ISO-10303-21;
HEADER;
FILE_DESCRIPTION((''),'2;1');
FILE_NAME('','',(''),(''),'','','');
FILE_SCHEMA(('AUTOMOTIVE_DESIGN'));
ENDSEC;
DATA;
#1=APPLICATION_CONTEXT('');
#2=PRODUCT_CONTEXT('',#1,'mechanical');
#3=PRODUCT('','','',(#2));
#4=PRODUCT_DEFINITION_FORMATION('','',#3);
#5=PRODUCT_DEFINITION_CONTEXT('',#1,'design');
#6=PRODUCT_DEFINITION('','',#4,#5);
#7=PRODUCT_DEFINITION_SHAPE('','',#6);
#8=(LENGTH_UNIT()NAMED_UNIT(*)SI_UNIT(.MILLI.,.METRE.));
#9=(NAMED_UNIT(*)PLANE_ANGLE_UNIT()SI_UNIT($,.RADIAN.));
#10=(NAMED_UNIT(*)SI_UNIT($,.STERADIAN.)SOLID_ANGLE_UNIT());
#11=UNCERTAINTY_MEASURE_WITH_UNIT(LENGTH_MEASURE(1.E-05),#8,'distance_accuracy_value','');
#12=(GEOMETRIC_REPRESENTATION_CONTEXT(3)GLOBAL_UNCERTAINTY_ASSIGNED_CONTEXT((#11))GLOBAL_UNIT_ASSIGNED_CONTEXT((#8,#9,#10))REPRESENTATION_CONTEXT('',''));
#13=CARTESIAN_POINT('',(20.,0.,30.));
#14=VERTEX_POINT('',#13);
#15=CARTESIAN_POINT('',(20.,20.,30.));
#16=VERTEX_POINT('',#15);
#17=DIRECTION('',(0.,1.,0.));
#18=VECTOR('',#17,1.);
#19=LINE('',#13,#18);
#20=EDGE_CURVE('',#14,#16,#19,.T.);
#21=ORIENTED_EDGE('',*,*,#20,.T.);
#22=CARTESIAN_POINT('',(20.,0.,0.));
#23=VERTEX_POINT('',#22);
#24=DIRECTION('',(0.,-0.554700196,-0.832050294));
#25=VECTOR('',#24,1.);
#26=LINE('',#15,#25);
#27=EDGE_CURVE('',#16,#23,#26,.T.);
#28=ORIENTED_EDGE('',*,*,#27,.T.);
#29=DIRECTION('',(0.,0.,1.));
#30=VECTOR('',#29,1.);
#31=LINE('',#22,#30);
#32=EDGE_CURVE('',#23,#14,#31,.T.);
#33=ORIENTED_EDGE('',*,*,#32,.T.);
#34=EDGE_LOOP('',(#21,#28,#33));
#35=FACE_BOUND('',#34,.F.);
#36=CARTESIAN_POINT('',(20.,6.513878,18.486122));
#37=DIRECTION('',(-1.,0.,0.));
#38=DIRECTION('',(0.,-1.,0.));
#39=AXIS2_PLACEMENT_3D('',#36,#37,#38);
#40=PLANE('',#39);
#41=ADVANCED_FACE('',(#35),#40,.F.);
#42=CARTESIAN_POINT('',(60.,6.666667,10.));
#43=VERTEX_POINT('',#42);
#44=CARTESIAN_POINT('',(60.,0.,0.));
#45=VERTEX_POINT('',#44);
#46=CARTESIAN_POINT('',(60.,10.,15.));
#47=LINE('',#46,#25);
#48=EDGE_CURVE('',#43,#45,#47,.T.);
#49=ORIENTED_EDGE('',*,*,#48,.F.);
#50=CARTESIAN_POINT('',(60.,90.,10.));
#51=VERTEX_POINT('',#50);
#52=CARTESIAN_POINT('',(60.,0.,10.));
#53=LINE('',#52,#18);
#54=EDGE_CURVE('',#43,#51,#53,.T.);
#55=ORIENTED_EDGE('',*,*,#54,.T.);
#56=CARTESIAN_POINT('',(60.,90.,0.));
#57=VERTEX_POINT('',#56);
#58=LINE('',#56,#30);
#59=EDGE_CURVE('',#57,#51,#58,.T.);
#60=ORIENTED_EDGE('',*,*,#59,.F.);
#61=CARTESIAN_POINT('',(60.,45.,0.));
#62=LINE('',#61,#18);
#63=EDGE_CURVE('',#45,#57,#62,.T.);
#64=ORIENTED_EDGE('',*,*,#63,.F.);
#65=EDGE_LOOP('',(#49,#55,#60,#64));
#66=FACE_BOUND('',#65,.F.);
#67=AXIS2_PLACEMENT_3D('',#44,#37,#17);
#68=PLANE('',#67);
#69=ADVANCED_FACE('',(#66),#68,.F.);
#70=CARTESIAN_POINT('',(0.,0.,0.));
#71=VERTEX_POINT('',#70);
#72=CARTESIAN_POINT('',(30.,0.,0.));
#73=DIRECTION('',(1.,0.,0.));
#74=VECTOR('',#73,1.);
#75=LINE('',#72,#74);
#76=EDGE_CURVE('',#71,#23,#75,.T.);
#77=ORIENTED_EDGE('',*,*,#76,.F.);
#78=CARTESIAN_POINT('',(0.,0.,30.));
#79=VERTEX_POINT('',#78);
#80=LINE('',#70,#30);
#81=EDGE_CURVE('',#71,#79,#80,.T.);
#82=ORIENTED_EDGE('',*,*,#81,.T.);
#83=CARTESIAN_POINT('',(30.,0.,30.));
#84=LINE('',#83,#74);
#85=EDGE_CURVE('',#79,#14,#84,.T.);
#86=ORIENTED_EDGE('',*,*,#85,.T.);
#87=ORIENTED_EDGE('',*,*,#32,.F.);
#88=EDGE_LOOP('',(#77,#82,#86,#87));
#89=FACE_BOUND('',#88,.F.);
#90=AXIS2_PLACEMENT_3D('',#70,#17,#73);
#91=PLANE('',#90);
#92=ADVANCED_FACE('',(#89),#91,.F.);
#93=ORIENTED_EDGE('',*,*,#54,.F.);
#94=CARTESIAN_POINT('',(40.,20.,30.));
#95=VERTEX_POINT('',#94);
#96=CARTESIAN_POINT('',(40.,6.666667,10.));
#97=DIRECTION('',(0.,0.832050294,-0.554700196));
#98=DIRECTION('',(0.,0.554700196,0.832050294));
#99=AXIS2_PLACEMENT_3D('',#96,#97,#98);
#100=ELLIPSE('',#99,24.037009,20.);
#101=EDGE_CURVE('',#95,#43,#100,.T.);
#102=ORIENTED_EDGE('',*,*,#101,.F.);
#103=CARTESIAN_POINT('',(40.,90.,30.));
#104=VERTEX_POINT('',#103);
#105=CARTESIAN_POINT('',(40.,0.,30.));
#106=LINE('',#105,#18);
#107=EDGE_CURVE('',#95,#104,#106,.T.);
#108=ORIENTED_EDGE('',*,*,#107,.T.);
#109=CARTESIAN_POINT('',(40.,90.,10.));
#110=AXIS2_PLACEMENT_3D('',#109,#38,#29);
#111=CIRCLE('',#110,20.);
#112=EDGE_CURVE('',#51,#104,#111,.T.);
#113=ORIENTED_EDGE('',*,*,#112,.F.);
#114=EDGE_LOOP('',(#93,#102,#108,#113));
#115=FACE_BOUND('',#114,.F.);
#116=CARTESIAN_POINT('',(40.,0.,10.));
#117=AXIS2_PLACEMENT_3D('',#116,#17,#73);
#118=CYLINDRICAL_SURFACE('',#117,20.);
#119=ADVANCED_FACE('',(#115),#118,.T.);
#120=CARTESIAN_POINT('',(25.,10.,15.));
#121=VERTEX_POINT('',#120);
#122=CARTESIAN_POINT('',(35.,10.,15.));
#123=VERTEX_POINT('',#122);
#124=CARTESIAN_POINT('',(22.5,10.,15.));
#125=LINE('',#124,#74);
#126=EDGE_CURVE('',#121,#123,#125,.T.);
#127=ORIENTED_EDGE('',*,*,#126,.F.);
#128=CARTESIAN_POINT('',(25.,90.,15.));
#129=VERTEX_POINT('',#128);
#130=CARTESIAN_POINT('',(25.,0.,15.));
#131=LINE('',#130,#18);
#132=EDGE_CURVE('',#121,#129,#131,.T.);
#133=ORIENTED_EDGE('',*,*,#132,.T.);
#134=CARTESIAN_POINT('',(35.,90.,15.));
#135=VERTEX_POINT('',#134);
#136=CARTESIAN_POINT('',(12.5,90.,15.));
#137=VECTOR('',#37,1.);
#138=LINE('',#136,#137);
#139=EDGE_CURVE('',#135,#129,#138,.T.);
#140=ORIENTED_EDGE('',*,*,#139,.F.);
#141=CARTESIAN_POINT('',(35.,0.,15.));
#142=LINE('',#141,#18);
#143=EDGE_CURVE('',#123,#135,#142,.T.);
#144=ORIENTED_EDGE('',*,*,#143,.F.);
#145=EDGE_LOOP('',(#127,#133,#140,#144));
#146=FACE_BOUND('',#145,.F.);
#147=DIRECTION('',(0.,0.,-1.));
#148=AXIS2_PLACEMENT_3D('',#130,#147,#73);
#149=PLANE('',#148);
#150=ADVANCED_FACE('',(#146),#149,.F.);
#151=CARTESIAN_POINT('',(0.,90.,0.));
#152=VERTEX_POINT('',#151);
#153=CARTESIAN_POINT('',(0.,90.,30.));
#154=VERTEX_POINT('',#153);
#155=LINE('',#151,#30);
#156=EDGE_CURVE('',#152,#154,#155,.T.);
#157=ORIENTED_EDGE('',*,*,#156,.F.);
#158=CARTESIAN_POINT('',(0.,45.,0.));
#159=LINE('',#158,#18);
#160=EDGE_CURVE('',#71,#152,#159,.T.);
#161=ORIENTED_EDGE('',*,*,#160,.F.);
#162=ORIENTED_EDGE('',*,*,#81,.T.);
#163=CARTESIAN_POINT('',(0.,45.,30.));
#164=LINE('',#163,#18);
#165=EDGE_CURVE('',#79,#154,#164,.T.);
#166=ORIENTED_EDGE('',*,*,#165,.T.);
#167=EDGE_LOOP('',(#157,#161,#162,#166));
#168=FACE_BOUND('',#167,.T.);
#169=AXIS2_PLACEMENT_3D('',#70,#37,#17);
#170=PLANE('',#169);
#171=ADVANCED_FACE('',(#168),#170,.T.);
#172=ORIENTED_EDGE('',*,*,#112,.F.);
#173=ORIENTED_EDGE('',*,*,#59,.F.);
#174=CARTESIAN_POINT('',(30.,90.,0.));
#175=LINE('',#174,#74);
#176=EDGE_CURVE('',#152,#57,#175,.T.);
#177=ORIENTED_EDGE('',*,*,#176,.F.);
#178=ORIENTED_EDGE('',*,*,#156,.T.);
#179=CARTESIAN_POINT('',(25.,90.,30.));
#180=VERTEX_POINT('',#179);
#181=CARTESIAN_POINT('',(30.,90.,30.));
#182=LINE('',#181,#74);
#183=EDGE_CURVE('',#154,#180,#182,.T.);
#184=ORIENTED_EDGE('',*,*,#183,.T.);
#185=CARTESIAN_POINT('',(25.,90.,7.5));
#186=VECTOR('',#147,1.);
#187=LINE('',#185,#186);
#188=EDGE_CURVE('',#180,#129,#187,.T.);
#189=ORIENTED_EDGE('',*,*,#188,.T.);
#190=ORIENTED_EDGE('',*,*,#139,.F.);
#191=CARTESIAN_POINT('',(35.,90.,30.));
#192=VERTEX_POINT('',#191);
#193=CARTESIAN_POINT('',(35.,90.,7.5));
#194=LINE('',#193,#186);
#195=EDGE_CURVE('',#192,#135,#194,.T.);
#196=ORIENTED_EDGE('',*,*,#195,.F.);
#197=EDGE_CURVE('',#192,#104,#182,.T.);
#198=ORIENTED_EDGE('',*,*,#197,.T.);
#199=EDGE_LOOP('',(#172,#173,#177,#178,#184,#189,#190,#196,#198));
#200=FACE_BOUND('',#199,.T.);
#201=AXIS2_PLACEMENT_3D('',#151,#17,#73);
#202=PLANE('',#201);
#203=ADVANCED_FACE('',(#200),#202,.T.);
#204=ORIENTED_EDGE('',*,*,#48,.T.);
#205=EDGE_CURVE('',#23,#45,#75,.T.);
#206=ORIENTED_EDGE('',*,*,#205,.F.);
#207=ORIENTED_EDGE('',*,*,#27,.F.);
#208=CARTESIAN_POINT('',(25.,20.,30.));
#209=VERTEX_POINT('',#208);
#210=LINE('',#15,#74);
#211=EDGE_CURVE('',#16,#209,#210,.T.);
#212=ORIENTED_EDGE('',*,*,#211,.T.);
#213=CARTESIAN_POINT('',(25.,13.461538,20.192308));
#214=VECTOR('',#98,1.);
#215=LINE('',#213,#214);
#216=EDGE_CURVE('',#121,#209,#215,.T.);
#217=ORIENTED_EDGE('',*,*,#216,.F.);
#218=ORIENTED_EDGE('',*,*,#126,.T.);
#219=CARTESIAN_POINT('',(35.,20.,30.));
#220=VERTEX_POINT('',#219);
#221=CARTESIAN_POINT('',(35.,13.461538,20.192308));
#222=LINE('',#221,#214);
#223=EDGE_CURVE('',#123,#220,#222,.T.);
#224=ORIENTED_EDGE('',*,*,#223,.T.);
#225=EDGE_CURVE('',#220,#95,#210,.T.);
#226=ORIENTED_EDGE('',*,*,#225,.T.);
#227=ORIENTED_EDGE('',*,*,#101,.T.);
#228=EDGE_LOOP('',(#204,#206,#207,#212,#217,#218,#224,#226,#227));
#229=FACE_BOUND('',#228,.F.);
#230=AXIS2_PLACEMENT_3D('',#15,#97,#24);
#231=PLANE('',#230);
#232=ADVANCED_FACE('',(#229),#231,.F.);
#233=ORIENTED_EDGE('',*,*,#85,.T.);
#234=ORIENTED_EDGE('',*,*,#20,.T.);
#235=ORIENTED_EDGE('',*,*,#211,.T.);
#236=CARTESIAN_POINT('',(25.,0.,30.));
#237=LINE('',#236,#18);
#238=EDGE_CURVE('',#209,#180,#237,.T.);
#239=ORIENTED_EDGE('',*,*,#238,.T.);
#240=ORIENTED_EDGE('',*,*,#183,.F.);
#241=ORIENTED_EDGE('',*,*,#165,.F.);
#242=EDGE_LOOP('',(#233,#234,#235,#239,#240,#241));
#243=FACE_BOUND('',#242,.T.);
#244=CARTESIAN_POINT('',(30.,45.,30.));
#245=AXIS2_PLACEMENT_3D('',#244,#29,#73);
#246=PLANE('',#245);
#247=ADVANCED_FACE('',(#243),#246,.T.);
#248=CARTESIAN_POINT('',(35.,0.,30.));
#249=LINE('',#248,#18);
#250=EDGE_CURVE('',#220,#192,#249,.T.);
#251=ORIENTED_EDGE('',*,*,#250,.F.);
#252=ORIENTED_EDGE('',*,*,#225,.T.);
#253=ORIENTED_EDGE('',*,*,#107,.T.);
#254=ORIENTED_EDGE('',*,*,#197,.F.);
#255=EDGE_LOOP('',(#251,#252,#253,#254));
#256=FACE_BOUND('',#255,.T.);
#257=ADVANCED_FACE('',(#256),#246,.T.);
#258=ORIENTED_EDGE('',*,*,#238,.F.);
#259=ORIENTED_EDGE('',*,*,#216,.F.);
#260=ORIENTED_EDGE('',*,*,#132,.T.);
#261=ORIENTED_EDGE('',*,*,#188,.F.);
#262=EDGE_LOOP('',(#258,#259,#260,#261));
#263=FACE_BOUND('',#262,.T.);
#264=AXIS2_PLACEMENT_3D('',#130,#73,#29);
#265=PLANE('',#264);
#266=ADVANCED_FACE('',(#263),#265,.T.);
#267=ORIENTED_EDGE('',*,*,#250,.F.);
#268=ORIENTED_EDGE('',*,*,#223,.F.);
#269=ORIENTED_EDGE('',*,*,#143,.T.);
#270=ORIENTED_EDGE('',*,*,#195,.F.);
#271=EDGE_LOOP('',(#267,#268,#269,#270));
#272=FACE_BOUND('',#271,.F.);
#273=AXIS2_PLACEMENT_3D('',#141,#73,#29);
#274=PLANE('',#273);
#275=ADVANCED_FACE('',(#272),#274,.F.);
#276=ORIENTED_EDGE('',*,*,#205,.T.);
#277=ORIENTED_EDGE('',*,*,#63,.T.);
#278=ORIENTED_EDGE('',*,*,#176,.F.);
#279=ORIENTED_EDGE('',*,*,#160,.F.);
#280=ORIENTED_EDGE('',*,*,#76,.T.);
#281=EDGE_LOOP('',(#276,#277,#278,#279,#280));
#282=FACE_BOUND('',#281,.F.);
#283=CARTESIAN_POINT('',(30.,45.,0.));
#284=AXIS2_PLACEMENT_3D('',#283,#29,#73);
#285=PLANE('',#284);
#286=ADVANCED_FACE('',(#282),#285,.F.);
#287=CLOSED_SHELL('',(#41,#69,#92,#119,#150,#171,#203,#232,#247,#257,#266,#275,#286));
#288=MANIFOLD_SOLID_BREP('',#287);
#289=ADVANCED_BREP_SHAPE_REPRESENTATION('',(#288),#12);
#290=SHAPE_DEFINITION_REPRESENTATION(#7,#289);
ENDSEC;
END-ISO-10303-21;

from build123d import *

# Parameters (mm, degrees)
F0_W     = 60
F0_H     = 90
F1_DEPTH = 30
F2_R     = 20
F3_W     = 10
F3_H     = 15
F4_DEPTH = 90.001
F7_DEPTH = 40.001


with BuildPart() as f1:
    # F0 (on Top) → F1 (new body)
    with BuildSketch(Plane.XY):
        with Locations((30, 45)):
            Rectangle(F0_W, F0_H)
    extrude(amount=F1_DEPTH)

    # F2
    f2_edges = [f1.edges().sort_by_distance(p)[0] for p in [
        (60, 45, 30),
    ]]
    fillet(f2_edges, radius=F2_R)

    # F3 (on face) → F4 (cut, through all)
    with BuildSketch(Plane.XZ):
        with Locations((30, 22.5)):
            Rectangle(F3_W, F3_H)
    extrude(amount=-F4_DEPTH, mode=Mode.SUBTRACT)

    # F6 (on offset) → F7 (cut, through all)
    with BuildSketch(Plane(origin=(20, 0, 0), x_dir=(0, -1, 0), z_dir=(-1, 0, 0))):
        Polygon((-20, 30), (0, 0), (0, 30), align=None)
    extrude(amount=-F7_DEPTH, mode=Mode.SUBTRACT)


solid = f1.part
